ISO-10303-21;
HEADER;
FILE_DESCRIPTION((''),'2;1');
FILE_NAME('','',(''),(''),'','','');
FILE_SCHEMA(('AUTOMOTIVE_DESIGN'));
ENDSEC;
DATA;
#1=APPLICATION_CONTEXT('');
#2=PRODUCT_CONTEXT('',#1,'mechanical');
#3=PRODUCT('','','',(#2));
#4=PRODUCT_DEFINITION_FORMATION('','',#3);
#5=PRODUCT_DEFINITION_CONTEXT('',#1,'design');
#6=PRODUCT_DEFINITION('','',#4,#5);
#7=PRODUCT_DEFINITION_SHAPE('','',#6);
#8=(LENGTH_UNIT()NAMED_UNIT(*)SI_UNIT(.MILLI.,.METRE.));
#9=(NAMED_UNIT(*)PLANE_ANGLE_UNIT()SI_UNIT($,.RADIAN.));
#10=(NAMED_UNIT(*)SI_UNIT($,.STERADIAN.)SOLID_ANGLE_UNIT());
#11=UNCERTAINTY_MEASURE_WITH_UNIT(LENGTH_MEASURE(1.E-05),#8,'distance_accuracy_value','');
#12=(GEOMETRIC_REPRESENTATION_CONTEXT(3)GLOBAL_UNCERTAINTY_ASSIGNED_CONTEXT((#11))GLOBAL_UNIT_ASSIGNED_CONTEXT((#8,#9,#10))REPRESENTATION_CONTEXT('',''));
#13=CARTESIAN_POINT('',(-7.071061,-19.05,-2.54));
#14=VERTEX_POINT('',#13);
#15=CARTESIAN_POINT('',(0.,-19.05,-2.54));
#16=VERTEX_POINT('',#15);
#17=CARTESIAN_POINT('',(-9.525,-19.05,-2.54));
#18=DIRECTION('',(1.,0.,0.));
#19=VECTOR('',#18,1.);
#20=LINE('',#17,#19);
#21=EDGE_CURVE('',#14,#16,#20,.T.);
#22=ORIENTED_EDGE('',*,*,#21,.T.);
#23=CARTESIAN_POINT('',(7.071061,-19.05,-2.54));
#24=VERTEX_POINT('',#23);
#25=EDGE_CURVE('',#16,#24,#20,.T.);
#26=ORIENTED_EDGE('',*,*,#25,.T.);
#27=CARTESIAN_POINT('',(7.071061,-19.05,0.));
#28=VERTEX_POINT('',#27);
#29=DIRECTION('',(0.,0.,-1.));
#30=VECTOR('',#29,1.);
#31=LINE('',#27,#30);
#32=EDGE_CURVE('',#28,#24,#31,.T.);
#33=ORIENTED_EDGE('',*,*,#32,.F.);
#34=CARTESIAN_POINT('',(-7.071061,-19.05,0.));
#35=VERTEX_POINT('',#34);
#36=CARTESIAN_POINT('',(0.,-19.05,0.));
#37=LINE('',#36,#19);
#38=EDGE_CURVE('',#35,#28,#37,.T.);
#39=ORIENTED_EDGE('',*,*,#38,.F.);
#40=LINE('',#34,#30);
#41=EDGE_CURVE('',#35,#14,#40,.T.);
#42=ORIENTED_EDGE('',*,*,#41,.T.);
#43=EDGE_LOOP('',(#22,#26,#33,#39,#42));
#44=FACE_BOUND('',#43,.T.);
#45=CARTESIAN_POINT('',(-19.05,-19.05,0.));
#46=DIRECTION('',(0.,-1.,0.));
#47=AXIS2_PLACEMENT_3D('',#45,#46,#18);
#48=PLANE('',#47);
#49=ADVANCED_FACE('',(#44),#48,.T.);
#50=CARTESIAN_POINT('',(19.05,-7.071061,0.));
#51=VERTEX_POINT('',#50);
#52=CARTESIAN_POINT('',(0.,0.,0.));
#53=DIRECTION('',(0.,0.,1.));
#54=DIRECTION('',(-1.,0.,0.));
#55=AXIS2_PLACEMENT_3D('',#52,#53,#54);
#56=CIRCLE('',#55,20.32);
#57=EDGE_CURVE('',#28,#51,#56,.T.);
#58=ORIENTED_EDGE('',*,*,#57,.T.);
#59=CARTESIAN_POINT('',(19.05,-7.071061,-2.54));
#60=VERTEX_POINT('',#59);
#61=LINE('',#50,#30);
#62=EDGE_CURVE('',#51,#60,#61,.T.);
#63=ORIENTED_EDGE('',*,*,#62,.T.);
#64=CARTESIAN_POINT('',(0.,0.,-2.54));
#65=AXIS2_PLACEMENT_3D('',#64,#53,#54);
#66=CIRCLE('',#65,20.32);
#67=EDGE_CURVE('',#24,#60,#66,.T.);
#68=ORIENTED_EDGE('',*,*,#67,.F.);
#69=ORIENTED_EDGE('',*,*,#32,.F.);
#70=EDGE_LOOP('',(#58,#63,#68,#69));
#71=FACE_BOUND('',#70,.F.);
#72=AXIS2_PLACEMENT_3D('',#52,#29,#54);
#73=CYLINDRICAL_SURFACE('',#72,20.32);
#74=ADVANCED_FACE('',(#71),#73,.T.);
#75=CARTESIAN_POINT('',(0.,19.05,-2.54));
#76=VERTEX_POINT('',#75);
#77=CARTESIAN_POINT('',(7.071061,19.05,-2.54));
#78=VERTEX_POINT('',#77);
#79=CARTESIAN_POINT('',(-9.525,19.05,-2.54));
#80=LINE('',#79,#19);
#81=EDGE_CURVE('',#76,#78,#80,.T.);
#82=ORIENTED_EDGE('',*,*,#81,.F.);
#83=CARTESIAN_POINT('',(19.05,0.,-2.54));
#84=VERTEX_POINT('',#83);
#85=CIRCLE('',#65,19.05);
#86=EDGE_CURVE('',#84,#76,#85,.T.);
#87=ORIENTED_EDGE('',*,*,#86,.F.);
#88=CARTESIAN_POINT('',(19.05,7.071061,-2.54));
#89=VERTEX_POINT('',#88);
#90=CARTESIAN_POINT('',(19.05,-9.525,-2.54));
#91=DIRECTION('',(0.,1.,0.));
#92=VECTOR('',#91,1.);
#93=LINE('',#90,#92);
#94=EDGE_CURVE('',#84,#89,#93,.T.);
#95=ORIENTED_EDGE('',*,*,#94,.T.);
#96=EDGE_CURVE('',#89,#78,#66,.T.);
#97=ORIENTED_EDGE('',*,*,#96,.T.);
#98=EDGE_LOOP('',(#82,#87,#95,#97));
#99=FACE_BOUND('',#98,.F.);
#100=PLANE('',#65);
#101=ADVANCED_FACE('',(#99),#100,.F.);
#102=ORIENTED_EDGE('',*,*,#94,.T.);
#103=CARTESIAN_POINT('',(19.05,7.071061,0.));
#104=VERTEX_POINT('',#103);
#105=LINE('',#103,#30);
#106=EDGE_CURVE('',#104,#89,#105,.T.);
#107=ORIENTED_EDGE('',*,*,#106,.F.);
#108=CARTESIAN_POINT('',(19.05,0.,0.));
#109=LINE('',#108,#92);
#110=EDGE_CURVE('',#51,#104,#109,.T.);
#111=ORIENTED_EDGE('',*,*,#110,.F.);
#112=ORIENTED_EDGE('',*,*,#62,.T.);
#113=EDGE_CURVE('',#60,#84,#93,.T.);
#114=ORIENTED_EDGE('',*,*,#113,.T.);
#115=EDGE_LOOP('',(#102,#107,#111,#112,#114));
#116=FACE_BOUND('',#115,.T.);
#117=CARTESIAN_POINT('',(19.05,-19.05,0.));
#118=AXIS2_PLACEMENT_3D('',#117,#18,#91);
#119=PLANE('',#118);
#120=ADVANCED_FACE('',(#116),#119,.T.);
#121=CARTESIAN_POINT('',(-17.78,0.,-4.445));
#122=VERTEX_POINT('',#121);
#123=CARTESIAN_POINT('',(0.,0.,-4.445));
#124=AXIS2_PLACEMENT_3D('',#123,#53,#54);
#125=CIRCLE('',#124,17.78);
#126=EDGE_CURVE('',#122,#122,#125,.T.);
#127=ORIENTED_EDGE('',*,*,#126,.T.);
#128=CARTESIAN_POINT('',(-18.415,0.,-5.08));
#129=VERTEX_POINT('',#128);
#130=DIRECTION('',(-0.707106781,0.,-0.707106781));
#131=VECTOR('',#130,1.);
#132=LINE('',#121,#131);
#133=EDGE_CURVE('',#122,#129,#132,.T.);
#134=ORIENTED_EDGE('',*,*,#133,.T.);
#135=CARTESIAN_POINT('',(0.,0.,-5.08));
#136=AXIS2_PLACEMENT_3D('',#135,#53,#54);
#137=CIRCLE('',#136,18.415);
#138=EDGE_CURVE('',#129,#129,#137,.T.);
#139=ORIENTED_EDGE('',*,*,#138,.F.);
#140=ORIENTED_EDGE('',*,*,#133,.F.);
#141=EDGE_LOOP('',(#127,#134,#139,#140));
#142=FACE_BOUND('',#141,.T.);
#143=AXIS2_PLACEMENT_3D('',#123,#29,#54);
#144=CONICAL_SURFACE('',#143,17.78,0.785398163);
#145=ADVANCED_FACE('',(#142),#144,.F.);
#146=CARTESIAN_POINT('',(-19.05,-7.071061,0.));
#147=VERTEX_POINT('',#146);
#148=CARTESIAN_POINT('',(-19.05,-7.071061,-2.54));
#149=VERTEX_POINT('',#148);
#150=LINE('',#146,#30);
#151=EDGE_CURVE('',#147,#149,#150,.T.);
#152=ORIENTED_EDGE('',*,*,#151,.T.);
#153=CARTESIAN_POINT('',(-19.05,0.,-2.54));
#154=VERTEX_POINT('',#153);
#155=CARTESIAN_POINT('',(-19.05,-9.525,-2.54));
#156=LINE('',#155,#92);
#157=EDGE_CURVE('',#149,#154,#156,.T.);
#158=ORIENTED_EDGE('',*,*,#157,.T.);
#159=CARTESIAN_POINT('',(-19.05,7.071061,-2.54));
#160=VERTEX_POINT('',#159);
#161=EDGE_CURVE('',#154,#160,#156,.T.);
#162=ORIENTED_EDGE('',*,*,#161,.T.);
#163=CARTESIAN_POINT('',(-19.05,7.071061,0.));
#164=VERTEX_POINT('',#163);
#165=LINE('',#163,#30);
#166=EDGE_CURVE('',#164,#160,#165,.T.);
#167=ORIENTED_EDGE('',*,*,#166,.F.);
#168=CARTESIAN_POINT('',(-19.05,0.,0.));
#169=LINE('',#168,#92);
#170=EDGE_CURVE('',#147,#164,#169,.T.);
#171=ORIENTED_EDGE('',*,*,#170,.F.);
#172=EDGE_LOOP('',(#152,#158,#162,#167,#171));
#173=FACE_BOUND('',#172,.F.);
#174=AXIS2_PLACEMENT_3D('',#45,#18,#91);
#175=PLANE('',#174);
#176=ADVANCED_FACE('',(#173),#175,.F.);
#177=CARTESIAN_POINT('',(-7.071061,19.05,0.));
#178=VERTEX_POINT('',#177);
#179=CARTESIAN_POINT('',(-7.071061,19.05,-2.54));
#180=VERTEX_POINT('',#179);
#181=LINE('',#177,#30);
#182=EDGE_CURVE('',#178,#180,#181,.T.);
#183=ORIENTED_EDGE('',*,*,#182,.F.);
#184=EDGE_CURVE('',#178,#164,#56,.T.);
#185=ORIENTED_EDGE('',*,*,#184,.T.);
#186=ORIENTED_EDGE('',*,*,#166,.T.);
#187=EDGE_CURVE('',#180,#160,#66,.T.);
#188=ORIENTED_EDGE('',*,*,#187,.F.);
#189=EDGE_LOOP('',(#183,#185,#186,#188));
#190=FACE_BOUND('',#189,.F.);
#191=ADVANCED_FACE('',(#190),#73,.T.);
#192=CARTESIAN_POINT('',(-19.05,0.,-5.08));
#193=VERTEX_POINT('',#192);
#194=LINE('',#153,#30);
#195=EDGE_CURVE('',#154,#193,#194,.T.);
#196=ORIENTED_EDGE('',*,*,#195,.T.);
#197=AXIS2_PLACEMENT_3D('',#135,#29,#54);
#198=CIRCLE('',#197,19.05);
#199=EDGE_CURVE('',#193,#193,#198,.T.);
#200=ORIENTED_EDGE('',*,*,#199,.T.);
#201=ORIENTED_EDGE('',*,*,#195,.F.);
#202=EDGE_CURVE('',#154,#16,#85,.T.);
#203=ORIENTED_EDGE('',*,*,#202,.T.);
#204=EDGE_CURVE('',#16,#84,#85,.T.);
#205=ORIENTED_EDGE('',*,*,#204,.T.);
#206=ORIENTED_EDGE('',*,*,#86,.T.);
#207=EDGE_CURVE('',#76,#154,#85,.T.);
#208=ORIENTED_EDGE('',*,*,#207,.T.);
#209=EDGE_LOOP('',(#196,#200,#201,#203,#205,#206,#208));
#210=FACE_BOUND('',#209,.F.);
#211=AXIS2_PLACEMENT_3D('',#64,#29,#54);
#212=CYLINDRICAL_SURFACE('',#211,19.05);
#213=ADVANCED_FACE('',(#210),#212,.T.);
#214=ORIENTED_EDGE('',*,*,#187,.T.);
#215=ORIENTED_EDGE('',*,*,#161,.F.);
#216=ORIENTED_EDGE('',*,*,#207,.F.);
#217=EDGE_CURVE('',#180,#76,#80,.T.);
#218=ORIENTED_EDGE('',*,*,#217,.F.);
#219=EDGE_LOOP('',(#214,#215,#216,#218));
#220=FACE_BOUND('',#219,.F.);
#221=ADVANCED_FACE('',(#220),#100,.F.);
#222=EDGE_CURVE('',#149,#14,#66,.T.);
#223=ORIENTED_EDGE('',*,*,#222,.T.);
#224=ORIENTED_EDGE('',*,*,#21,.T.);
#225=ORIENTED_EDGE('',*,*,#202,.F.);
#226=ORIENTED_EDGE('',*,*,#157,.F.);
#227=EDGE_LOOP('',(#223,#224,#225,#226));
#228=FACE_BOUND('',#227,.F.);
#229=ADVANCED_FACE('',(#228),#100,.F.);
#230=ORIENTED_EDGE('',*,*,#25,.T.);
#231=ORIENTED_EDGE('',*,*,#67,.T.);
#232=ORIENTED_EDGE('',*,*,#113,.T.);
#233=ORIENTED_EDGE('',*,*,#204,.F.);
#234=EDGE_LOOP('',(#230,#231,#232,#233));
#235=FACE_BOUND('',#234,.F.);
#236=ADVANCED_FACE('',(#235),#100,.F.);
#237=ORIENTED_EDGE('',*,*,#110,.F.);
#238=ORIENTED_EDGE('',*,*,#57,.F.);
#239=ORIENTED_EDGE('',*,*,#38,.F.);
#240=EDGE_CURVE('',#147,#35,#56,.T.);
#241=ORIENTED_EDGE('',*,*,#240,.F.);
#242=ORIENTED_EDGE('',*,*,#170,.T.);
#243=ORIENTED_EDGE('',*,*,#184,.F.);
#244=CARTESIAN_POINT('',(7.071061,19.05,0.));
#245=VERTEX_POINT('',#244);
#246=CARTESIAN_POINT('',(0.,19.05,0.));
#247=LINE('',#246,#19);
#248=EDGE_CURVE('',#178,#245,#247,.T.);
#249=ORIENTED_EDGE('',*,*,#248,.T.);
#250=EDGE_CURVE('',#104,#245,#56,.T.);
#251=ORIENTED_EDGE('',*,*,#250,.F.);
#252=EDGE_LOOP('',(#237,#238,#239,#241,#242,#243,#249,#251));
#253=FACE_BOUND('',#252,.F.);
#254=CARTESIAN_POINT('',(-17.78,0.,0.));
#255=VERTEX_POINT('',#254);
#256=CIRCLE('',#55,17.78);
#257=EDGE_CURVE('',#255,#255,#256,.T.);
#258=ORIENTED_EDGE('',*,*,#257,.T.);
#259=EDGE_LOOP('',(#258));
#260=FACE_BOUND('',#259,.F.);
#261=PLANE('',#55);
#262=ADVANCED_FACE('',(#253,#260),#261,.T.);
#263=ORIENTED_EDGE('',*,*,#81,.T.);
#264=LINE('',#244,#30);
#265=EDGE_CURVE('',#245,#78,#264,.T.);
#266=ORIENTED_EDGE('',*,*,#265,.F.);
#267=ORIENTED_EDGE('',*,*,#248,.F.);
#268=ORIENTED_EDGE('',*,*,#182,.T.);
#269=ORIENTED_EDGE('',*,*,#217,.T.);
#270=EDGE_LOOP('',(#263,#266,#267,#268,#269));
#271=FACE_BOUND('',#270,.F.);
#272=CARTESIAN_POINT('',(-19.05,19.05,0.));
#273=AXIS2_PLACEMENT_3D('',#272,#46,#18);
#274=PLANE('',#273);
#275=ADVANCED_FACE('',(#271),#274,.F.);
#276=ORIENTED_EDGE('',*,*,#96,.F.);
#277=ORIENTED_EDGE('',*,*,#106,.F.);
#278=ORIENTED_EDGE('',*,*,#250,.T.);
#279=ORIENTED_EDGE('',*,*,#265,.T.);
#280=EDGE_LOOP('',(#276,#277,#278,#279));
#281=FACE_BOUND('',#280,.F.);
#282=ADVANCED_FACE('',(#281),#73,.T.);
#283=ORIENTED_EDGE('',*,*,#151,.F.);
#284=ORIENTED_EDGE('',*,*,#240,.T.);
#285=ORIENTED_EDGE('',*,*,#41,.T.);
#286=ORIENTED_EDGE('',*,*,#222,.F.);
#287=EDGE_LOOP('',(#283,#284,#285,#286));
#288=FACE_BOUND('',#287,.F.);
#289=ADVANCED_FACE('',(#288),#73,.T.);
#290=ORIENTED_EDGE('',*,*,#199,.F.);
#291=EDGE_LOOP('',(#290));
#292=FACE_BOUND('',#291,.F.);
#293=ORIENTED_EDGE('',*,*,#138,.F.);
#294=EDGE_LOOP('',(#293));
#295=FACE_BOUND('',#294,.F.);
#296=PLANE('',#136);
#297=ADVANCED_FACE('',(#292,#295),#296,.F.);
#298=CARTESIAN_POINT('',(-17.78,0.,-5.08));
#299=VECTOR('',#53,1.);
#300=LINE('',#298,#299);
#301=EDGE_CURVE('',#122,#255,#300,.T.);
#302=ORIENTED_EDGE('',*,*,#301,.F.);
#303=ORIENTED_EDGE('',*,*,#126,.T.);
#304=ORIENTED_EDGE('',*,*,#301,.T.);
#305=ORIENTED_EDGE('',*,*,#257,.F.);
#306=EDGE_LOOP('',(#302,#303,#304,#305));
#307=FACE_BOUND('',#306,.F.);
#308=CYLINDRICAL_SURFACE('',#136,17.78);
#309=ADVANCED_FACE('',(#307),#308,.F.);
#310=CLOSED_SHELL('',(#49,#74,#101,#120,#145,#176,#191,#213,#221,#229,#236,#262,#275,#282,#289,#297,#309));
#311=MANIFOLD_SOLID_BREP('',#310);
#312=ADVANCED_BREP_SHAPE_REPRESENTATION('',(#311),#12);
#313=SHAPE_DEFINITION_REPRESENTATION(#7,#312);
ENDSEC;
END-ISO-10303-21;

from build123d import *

# Parameters (mm, degrees)
SKETCH001_W   = 50.8
SKETCH001_H   = 50.8
SKETCH001_W_2 = 38.1
SKETCH001_H_2 = 38.1
POCKET_DEPTH  = 5.08
CHAMFER_SIZE  = 0.635


with BuildPart() as part:
    # Sketch → Revolution (revolve)
    with BuildSketch(Plane.XZ):
        Polygon((-17.78, 0), (-20.32, 0), (-20.32, -2.54), (-19.05, -2.54), (-19.05, -5.08), (-17.78, -5.08), align=None)
    revolve(axis=Axis((0, 0, 0), (0, 0, 1)))

    # Sketch001 → Pocket (cut)
    with BuildSketch(Plane.XY):
        Rectangle(SKETCH001_W, SKETCH001_H)
        Rectangle(SKETCH001_W_2, SKETCH001_H_2, mode=Mode.SUBTRACT)
    extrude(amount=-POCKET_DEPTH, mode=Mode.SUBTRACT)

    # Chamfer
    chamfer_edges = [part.edges().sort_by_distance(p)[0] for p in [
        (17.78, 0, -5.08),
    ]]
    chamfer(chamfer_edges, length=CHAMFER_SIZE)


solid = part.part
